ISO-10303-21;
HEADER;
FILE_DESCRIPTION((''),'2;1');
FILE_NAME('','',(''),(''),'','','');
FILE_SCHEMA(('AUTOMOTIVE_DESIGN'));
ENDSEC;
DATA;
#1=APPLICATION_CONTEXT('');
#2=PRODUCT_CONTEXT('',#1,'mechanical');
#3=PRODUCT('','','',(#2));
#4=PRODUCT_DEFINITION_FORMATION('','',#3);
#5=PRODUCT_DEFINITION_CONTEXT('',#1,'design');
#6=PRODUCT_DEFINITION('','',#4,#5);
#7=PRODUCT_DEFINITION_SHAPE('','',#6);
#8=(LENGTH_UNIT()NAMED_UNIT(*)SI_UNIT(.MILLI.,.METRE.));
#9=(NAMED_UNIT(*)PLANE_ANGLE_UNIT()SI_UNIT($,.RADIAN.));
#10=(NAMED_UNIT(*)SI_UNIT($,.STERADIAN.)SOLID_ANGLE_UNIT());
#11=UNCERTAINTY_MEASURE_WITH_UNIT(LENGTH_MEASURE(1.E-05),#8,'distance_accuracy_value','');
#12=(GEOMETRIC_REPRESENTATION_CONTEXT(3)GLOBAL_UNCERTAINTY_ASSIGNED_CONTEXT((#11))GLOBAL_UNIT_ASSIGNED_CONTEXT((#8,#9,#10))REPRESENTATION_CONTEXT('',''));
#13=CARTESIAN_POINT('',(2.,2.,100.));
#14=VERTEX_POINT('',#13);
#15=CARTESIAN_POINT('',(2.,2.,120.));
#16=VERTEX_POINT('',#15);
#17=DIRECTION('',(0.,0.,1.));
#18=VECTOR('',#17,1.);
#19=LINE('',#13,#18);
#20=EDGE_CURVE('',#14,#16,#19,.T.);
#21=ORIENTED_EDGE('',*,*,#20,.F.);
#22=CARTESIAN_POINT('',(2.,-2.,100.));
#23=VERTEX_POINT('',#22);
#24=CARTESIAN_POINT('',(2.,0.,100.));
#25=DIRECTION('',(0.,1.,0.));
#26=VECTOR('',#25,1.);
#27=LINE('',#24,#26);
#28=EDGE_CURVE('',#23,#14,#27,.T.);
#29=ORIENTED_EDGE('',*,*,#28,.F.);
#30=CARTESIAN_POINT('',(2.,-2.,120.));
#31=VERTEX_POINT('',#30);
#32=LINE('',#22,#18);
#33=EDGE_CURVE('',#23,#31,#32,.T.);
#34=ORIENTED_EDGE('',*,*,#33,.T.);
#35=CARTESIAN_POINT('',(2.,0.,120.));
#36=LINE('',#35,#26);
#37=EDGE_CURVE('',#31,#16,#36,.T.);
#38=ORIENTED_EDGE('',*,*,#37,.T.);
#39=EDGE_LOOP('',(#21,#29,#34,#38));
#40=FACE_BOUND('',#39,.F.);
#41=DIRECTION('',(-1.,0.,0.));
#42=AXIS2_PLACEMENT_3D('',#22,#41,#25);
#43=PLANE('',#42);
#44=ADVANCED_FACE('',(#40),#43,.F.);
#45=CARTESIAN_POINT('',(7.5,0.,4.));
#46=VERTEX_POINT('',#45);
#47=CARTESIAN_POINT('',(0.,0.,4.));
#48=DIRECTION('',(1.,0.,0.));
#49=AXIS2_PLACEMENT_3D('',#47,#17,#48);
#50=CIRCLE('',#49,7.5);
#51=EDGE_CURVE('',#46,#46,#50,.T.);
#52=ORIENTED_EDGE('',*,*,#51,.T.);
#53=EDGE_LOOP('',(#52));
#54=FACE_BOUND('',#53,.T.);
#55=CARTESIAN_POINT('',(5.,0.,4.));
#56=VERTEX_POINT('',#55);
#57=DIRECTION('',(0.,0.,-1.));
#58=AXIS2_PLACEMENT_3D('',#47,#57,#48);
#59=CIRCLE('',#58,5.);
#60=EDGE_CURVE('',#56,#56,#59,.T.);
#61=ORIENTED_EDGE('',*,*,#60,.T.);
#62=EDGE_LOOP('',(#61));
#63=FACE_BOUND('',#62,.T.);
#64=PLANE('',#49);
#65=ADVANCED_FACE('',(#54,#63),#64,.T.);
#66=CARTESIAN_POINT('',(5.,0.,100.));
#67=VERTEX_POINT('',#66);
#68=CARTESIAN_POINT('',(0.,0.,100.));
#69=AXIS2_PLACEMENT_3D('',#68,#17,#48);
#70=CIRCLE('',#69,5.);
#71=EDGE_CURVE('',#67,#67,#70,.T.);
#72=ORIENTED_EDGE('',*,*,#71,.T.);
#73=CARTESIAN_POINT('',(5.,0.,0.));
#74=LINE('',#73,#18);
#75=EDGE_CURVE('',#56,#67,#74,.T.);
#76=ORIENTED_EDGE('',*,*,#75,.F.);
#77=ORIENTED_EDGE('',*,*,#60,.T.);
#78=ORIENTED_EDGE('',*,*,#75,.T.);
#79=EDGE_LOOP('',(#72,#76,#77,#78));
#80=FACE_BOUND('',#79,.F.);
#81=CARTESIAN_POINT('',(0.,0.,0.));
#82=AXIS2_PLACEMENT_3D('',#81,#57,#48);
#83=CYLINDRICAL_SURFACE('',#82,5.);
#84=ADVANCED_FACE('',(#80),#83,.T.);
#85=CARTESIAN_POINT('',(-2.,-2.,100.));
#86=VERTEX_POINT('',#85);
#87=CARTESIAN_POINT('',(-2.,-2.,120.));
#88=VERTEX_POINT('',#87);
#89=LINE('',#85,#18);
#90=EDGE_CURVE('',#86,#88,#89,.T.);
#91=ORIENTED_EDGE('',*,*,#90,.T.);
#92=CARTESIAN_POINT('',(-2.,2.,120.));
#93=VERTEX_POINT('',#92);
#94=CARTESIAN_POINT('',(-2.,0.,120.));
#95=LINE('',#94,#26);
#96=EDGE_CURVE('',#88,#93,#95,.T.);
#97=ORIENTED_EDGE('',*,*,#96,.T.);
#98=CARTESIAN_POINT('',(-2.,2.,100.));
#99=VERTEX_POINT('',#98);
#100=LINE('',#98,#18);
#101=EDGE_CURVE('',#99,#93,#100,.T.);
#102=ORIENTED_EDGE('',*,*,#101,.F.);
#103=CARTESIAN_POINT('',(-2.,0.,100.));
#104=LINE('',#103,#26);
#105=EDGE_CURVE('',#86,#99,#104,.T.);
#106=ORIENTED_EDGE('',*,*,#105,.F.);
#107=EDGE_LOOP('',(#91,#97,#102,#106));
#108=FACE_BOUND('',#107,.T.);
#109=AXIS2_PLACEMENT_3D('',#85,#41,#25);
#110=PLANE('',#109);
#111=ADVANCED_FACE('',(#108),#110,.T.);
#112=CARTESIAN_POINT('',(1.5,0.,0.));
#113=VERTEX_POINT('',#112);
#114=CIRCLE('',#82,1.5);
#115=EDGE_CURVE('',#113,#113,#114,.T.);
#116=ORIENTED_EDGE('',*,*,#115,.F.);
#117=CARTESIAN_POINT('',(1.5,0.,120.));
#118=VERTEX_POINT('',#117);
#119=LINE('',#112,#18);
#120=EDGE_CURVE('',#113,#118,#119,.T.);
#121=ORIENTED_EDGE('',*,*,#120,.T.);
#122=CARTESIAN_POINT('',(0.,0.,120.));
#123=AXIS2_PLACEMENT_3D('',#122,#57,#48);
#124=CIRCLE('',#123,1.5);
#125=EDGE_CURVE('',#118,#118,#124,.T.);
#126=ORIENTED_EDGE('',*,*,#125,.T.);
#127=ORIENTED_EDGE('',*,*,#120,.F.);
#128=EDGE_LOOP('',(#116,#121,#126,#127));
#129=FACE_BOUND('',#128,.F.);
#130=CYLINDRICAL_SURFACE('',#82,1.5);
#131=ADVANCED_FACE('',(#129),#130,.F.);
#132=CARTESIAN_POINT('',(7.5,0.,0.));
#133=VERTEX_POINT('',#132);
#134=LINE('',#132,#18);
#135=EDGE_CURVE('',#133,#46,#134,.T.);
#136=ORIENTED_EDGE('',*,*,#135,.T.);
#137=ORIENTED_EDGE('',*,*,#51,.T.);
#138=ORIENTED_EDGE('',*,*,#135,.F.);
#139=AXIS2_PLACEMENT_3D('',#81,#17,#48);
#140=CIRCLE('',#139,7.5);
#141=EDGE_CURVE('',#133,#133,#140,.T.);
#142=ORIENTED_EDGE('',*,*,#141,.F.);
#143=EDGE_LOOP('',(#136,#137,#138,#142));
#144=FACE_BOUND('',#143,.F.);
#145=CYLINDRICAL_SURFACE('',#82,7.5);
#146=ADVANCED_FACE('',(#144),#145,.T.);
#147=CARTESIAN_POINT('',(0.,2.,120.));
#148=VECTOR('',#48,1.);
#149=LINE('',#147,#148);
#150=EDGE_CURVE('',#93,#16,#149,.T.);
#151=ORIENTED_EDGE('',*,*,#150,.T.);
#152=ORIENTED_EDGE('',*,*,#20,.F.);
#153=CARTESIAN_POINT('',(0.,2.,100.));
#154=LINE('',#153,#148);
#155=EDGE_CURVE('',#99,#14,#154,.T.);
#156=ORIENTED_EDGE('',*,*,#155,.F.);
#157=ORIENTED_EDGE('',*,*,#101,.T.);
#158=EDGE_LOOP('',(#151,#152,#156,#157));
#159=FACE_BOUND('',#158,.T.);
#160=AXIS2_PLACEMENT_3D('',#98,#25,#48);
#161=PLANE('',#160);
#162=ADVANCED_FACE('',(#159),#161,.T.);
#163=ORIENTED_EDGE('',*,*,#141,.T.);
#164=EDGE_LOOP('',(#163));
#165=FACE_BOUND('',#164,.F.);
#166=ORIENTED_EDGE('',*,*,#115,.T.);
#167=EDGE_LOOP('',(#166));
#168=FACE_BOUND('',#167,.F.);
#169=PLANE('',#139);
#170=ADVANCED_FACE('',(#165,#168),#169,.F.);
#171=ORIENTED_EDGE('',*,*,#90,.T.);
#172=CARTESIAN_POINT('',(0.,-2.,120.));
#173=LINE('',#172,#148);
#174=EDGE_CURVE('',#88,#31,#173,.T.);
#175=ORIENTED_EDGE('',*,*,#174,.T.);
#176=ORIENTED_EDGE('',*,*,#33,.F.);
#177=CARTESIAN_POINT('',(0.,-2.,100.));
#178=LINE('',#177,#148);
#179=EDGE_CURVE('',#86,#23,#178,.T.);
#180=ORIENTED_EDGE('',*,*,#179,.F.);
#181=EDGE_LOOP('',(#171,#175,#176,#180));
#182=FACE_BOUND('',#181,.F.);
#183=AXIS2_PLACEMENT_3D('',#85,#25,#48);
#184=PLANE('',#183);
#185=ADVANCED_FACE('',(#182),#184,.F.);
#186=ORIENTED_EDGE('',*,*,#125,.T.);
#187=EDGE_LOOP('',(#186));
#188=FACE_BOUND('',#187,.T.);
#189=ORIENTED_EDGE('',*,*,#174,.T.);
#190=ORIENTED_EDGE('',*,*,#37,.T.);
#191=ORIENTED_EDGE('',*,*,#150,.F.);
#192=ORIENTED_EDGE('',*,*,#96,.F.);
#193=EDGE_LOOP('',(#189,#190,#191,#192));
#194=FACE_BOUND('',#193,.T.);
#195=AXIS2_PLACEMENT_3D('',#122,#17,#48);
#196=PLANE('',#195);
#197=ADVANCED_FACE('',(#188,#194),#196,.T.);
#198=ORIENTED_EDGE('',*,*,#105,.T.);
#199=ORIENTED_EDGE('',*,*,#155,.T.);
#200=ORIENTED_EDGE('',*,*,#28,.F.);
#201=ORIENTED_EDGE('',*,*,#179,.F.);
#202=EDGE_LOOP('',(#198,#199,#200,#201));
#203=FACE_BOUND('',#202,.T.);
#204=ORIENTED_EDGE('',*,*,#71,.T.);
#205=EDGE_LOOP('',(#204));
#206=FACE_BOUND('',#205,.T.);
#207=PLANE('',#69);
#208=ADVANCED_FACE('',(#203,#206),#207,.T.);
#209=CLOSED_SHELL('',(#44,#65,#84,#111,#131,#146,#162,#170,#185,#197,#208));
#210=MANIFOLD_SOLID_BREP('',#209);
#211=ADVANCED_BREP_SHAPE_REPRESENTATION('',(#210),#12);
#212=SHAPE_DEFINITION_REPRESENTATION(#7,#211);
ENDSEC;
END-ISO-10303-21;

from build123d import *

# Parameters (mm, degrees)
F0_R     = 7.5
F1_DEPTH = 4
F2_R     = 5
F3_DEPTH = 100
F4_W     = 4
F4_H     = 4
F5_DEPTH = 20
F6_R     = 1.5
F7_DEPTH = 122.4


with BuildPart() as f1:
    # F0 (on Top) → F1 (new body)
    with BuildSketch(Plane.XY):
        Circle(F0_R)
    extrude(amount=F1_DEPTH)

    # F2 (on Top) → F3 (join)
    with BuildSketch(Plane.XY):
        Circle(F2_R)
    extrude(amount=F3_DEPTH)

    # F4 (on face) → F5 (join)
    with BuildSketch(Plane.XY.offset(100)):
        Rectangle(F4_W, F4_H)
    extrude(amount=F5_DEPTH)

    # F6 (on face) → F7 (cut)
    with BuildSketch(Plane(origin=(0, 0, 0), x_dir=(1, 0, 0), z_dir=(0, 0, -1))):
        Circle(F6_R)
    extrude(amount=-F7_DEPTH, mode=Mode.SUBTRACT)


solid = f1.part
